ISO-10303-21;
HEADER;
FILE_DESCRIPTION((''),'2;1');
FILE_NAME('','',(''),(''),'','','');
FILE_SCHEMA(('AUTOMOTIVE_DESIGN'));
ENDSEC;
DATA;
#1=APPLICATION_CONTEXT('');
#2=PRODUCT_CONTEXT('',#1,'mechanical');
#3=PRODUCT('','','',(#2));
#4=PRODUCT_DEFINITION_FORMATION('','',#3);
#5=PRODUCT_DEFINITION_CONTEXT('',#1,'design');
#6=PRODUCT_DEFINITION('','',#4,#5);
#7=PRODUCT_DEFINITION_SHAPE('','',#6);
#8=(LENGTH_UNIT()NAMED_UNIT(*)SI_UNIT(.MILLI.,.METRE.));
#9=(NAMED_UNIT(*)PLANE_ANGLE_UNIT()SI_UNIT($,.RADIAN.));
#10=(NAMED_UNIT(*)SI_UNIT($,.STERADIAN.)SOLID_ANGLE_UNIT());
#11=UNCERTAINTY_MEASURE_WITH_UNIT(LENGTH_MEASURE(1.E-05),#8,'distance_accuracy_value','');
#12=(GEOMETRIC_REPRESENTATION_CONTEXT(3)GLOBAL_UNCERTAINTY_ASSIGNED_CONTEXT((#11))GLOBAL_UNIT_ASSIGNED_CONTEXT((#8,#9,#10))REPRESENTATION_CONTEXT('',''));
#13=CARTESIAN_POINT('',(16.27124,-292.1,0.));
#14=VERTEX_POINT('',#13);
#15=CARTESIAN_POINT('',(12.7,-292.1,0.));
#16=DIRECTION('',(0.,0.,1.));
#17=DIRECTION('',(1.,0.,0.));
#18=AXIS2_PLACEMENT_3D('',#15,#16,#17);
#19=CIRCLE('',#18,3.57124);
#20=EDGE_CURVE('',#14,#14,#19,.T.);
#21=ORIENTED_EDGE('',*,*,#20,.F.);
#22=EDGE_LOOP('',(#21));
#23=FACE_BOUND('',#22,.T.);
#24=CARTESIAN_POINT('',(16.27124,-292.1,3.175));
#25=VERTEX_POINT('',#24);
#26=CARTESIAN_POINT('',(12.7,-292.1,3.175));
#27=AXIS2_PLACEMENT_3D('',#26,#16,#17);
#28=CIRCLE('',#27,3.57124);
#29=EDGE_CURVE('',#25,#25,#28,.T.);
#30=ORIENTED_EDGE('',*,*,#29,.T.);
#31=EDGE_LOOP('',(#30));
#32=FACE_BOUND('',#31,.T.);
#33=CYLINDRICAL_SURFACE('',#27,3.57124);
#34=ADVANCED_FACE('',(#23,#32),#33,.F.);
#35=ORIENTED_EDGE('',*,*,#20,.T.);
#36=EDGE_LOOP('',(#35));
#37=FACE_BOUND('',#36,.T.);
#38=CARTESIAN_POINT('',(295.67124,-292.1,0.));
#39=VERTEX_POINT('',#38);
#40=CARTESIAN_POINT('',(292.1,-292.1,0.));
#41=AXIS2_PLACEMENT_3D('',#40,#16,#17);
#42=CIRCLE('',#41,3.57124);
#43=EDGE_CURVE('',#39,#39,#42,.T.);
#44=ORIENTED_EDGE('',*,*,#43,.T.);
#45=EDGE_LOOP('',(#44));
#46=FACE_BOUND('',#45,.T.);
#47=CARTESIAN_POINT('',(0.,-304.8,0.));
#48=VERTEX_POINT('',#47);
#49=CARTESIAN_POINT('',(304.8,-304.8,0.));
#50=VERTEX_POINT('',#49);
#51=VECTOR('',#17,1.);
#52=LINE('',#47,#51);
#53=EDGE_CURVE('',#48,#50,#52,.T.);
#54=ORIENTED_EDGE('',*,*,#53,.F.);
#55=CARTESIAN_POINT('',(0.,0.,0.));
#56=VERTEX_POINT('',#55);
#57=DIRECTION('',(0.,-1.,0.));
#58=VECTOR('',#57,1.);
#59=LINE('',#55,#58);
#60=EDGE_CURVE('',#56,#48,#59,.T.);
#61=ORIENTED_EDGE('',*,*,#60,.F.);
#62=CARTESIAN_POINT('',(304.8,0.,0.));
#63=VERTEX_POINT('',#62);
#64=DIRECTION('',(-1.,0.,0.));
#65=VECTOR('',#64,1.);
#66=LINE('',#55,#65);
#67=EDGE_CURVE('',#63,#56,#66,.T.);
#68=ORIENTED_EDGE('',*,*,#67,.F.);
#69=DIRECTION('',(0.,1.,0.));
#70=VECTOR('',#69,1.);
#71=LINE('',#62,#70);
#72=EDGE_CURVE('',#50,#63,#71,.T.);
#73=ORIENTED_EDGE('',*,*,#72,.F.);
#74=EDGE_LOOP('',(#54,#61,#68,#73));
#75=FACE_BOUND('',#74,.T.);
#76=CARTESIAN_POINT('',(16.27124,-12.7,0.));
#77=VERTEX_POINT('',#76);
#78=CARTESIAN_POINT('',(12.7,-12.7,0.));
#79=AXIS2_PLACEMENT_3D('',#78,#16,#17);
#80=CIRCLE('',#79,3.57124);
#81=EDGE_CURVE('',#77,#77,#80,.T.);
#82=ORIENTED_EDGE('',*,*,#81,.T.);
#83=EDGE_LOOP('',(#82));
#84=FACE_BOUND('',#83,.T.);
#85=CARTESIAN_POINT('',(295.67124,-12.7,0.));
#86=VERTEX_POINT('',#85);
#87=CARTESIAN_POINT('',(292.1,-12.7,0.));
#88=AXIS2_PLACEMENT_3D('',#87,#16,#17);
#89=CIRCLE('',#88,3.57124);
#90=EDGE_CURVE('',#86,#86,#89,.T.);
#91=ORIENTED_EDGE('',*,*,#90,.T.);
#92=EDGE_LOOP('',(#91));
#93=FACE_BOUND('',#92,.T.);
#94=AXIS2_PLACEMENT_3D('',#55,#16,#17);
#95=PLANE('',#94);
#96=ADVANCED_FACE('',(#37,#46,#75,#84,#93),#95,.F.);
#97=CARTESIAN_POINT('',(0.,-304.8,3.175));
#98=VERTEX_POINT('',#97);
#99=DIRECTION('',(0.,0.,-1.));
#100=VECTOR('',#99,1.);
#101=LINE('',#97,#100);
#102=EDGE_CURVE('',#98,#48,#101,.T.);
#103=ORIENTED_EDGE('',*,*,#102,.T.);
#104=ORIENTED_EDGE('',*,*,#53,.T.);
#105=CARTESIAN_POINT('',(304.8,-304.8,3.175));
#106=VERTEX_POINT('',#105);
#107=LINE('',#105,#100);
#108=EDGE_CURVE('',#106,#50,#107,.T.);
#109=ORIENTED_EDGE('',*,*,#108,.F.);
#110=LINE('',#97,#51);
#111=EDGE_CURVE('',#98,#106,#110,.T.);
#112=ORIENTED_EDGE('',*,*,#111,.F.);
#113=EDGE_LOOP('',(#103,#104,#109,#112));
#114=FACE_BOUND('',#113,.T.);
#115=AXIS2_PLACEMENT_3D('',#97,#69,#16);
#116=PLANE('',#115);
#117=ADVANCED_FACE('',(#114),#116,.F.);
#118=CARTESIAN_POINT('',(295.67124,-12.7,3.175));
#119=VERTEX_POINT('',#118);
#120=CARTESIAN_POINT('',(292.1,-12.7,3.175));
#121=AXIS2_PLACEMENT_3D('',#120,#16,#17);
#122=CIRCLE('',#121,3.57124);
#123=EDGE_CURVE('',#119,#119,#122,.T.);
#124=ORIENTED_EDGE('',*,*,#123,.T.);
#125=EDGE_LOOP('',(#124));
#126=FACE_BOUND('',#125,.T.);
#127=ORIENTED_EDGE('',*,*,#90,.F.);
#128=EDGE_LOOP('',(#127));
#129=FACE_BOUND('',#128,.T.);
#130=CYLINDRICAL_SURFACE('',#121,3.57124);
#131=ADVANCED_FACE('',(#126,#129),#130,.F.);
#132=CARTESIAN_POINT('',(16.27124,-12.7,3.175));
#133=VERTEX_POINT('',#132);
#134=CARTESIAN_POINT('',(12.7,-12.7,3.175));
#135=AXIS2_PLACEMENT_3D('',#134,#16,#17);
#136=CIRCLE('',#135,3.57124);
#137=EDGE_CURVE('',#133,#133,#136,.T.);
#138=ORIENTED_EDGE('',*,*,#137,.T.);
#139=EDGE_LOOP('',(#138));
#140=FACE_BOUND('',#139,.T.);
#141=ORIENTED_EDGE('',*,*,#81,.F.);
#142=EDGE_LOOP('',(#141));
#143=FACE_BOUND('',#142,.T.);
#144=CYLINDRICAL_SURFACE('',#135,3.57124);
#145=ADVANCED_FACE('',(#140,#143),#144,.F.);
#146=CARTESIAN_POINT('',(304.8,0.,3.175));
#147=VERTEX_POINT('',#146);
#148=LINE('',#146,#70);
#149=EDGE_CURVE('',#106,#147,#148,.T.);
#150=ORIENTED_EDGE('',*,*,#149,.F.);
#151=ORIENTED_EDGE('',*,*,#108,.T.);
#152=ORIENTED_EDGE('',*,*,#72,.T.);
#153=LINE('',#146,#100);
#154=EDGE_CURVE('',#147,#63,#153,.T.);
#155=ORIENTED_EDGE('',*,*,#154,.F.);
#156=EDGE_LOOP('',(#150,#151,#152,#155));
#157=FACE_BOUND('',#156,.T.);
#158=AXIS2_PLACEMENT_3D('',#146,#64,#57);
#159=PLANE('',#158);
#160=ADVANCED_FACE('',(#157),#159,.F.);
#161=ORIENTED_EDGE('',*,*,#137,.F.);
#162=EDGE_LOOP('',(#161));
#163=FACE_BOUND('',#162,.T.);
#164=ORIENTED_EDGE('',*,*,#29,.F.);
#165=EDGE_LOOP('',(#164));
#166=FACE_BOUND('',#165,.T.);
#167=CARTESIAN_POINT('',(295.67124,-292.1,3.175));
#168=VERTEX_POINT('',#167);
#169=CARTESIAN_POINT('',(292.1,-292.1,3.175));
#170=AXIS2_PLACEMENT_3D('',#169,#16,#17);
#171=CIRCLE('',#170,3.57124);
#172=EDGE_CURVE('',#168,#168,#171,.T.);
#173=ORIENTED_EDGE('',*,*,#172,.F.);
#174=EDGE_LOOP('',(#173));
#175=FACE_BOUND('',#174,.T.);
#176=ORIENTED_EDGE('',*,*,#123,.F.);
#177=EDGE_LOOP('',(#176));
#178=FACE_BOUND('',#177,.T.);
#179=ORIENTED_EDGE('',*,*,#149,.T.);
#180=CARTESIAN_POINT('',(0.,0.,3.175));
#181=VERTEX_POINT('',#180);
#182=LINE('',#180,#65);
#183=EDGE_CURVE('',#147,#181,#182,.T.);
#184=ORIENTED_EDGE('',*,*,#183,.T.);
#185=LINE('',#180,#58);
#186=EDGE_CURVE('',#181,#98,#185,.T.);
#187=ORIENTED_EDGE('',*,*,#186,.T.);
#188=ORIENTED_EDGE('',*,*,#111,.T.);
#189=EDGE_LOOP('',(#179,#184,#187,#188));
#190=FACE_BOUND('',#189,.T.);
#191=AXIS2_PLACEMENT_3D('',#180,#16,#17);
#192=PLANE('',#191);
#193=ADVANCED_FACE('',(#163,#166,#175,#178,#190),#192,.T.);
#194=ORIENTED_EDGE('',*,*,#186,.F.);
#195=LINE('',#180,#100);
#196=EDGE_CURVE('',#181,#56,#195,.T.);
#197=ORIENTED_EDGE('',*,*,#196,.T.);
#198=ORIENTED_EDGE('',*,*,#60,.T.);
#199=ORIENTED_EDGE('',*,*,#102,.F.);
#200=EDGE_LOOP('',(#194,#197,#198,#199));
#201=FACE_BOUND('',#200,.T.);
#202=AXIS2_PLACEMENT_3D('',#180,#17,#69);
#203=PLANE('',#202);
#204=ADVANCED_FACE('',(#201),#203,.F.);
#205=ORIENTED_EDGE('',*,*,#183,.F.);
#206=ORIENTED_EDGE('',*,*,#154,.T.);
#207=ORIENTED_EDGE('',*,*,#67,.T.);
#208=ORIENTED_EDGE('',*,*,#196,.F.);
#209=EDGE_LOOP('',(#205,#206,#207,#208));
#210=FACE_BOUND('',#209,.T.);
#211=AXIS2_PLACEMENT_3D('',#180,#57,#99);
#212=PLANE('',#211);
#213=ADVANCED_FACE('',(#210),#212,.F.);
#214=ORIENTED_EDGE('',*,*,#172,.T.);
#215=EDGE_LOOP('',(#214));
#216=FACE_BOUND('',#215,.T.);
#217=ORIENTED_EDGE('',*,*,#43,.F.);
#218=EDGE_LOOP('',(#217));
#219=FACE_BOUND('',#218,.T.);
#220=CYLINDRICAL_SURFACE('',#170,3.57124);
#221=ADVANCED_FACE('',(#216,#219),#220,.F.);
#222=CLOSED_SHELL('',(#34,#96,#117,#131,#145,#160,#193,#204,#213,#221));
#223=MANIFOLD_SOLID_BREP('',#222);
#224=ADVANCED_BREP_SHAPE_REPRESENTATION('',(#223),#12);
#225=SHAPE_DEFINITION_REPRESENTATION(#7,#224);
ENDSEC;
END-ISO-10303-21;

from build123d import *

# Parameters (mm, degrees)
SKETCH1_W               = 304.8
SKETCH1_H               = 304.8
BOSS_EXTRUDE1_DEPTH     = 3.175
F_1_4_CLEARANCE_HOLE1_D = 7.14248


with BuildPart() as part:
    # Sketch1 → Boss-Extrude1 (new body)
    with BuildSketch(Plane.XY):
        with Locations((152.4, -152.4)):
            Rectangle(SKETCH1_W, SKETCH1_H)
    extrude(amount=BOSS_EXTRUDE1_DEPTH)

    # 1/4 Clearance Hole1 (through all)
    with Locations(Plane.XY.offset(3.175)):
        with Locations((292.1, -292.1), (12.7, -12.7), (292.1, -12.7), (12.7, -292.1)):
            Hole(F_1_4_CLEARANCE_HOLE1_D / 2)


solid = part.part
